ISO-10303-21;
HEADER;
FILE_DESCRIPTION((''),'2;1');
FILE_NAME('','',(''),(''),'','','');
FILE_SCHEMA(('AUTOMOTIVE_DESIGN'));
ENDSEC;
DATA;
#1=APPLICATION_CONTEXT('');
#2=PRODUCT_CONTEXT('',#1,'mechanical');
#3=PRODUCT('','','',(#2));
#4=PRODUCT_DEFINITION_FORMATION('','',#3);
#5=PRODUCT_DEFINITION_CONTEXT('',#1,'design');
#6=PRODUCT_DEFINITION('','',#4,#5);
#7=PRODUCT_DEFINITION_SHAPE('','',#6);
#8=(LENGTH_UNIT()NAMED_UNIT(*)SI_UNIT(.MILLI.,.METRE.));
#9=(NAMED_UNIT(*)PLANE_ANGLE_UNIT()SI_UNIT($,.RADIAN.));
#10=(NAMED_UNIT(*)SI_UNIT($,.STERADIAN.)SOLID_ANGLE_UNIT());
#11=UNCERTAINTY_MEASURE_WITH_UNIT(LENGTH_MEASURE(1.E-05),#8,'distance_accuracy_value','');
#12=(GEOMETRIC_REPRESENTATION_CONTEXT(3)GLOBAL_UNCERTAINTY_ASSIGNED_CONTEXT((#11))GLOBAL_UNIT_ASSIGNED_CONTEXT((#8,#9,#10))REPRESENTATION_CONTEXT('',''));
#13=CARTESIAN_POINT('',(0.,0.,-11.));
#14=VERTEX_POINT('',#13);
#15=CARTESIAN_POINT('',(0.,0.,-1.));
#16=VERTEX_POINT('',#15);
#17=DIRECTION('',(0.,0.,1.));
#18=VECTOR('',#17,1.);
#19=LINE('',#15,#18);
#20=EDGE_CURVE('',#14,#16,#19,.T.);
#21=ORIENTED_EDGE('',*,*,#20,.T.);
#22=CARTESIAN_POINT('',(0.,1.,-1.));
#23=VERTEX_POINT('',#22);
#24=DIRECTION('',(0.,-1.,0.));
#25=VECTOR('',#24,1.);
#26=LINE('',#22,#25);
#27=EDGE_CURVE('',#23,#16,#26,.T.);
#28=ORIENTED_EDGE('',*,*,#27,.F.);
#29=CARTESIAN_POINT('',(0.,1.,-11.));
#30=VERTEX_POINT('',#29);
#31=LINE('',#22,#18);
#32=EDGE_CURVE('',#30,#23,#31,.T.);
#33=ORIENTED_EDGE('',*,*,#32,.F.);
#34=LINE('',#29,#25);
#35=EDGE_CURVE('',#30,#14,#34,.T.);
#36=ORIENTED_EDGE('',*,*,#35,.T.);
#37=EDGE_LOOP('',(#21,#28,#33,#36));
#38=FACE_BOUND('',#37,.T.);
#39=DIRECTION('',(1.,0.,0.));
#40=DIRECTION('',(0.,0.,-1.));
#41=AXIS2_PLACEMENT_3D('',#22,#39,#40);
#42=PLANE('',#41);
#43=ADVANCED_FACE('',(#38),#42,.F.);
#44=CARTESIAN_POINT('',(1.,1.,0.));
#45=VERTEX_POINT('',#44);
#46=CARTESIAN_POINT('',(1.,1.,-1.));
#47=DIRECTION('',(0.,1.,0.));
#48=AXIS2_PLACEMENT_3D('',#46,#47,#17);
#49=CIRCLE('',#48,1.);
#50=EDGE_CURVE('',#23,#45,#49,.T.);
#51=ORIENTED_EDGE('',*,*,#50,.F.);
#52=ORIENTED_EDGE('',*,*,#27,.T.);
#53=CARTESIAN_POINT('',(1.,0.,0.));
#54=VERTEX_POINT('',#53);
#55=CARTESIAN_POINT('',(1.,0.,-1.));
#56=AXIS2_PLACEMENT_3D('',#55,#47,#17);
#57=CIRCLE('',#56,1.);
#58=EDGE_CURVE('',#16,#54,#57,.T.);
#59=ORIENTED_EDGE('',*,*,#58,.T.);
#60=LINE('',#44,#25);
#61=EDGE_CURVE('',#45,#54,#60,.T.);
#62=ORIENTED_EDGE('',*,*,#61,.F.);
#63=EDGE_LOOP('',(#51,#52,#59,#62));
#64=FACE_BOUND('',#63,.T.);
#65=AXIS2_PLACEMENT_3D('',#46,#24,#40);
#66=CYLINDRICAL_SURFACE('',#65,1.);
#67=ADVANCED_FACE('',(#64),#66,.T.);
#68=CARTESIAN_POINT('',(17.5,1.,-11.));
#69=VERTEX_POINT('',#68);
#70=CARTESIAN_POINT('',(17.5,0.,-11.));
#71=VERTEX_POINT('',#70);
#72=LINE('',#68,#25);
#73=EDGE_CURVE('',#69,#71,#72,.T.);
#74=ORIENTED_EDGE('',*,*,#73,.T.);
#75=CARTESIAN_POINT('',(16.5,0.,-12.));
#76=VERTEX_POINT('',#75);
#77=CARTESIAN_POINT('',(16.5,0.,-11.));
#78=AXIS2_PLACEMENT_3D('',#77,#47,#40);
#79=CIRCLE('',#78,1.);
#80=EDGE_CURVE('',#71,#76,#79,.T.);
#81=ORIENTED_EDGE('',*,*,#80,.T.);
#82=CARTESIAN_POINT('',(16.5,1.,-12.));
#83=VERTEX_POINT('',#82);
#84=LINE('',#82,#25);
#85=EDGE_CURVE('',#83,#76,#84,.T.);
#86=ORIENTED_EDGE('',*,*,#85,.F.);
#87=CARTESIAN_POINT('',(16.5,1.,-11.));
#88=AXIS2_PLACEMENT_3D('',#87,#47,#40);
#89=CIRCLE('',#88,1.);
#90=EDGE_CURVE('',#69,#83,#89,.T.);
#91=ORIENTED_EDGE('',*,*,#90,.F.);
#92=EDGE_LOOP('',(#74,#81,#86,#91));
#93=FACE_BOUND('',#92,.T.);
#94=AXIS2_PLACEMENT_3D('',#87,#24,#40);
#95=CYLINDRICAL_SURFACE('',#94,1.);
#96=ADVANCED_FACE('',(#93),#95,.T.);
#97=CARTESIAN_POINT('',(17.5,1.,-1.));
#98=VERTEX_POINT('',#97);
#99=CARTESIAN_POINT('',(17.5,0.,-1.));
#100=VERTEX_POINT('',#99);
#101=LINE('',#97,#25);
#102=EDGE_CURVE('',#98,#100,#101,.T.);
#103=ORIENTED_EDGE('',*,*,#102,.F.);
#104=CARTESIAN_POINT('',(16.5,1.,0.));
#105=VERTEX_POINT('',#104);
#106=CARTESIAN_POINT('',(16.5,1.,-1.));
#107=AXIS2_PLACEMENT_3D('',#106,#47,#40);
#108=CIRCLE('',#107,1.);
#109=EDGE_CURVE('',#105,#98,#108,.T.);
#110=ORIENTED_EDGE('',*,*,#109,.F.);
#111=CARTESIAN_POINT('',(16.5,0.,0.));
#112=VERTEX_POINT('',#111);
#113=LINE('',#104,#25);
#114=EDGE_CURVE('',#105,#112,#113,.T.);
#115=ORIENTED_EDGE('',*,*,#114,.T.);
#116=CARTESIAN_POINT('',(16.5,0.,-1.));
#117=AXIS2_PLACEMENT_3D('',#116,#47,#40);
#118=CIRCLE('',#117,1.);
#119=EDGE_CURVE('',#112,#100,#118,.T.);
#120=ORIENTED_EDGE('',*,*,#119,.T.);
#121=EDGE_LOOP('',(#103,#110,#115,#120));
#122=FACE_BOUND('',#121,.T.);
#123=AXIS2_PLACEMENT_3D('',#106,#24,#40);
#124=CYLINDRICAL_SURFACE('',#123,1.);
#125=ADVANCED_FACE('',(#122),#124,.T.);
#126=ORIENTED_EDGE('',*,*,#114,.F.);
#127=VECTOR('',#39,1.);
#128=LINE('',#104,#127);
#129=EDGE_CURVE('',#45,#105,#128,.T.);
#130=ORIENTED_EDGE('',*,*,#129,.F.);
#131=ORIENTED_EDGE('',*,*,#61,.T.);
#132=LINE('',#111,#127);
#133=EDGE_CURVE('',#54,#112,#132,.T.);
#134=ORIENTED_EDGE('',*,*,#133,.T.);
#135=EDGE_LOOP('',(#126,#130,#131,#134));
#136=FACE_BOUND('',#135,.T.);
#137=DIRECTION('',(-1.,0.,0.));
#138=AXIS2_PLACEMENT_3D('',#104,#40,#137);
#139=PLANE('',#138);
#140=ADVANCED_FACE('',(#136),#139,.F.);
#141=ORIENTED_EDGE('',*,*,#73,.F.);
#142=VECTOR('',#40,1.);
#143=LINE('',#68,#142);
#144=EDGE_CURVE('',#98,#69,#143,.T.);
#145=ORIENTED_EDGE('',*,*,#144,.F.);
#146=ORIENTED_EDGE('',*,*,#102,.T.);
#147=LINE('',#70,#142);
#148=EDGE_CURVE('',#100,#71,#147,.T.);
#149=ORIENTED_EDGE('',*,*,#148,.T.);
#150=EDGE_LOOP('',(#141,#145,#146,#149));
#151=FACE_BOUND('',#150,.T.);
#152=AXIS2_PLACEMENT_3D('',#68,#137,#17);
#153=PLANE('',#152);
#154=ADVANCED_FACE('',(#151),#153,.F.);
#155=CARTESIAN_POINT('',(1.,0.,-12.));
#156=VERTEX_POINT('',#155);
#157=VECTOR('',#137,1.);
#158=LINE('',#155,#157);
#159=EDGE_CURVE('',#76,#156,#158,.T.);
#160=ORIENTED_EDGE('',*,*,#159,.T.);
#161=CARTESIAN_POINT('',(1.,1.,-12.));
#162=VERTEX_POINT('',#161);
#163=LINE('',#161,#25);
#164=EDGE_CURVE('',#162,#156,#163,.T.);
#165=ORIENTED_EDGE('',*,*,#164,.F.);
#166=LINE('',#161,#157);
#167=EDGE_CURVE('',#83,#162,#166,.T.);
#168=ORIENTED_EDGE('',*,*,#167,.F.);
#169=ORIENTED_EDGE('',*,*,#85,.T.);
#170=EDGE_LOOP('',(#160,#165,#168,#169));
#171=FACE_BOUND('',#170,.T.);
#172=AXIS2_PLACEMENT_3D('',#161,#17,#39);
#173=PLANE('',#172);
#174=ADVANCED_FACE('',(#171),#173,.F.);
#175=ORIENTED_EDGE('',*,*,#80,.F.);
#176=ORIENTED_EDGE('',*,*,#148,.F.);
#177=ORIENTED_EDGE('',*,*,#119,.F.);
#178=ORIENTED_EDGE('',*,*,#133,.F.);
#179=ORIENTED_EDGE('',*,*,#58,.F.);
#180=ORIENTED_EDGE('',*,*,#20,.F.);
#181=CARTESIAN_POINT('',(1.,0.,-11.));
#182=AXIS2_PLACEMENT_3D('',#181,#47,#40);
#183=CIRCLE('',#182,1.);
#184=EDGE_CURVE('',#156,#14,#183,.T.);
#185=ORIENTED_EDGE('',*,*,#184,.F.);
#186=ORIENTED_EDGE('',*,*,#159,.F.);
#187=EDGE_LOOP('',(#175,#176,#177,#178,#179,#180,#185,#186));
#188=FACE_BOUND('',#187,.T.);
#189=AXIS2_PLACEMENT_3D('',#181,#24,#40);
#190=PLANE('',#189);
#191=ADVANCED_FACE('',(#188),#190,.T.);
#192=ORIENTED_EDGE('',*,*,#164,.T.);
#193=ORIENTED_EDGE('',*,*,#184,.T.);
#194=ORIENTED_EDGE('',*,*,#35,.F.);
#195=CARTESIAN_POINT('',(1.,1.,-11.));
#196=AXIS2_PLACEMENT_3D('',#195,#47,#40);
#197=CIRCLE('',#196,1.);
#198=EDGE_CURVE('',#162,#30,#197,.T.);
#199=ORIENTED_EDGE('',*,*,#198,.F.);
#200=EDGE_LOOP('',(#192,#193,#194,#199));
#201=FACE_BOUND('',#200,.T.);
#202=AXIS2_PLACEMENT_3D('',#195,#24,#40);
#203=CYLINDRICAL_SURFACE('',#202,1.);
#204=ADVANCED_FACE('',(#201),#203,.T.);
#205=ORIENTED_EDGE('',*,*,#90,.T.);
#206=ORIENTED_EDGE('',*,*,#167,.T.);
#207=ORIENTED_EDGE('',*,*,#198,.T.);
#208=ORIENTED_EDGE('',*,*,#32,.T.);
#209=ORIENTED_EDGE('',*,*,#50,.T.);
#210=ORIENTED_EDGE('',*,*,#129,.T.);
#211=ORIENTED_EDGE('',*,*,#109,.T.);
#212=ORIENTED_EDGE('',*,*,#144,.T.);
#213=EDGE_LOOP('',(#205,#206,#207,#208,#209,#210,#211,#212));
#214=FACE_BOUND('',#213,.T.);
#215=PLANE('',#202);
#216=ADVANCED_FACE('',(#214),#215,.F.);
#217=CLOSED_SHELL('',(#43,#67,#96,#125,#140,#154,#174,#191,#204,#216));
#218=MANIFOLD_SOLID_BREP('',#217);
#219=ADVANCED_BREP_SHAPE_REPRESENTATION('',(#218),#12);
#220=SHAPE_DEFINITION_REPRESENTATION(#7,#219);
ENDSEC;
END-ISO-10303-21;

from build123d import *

# Parameters (mm, degrees)
DODANIE_WYCI_GNI_CIE3_DEPTH = 1


with BuildPart() as part:
    # Szkic1 → Dodanie-wyciągnięcie3 (new body)
    with BuildSketch(Plane(origin=(0, 0, 0), x_dir=(1, 0, 0), z_dir=(0, 1, 0))):
        with BuildLine():
            Line((0, 1), (0, 11))
            ThreePointArc((0, 11), (0.292893219, 11.707106781), (1, 12))
            Line((1, 12), (16.5, 12))
            ThreePointArc((16.5, 12), (17.207106781, 11.707106781), (17.5, 11))
            Line((17.5, 11), (17.5, 1))
            ThreePointArc((17.5, 1), (17.207106781, 0.292893219), (16.5, 0))
            Line((16.5, 0), (1, 0))
            ThreePointArc((1, 0), (0.292893219, 0.292893219), (0, 1))
        make_face()
    extrude(amount=DODANIE_WYCI_GNI_CIE3_DEPTH)


solid = part.part
